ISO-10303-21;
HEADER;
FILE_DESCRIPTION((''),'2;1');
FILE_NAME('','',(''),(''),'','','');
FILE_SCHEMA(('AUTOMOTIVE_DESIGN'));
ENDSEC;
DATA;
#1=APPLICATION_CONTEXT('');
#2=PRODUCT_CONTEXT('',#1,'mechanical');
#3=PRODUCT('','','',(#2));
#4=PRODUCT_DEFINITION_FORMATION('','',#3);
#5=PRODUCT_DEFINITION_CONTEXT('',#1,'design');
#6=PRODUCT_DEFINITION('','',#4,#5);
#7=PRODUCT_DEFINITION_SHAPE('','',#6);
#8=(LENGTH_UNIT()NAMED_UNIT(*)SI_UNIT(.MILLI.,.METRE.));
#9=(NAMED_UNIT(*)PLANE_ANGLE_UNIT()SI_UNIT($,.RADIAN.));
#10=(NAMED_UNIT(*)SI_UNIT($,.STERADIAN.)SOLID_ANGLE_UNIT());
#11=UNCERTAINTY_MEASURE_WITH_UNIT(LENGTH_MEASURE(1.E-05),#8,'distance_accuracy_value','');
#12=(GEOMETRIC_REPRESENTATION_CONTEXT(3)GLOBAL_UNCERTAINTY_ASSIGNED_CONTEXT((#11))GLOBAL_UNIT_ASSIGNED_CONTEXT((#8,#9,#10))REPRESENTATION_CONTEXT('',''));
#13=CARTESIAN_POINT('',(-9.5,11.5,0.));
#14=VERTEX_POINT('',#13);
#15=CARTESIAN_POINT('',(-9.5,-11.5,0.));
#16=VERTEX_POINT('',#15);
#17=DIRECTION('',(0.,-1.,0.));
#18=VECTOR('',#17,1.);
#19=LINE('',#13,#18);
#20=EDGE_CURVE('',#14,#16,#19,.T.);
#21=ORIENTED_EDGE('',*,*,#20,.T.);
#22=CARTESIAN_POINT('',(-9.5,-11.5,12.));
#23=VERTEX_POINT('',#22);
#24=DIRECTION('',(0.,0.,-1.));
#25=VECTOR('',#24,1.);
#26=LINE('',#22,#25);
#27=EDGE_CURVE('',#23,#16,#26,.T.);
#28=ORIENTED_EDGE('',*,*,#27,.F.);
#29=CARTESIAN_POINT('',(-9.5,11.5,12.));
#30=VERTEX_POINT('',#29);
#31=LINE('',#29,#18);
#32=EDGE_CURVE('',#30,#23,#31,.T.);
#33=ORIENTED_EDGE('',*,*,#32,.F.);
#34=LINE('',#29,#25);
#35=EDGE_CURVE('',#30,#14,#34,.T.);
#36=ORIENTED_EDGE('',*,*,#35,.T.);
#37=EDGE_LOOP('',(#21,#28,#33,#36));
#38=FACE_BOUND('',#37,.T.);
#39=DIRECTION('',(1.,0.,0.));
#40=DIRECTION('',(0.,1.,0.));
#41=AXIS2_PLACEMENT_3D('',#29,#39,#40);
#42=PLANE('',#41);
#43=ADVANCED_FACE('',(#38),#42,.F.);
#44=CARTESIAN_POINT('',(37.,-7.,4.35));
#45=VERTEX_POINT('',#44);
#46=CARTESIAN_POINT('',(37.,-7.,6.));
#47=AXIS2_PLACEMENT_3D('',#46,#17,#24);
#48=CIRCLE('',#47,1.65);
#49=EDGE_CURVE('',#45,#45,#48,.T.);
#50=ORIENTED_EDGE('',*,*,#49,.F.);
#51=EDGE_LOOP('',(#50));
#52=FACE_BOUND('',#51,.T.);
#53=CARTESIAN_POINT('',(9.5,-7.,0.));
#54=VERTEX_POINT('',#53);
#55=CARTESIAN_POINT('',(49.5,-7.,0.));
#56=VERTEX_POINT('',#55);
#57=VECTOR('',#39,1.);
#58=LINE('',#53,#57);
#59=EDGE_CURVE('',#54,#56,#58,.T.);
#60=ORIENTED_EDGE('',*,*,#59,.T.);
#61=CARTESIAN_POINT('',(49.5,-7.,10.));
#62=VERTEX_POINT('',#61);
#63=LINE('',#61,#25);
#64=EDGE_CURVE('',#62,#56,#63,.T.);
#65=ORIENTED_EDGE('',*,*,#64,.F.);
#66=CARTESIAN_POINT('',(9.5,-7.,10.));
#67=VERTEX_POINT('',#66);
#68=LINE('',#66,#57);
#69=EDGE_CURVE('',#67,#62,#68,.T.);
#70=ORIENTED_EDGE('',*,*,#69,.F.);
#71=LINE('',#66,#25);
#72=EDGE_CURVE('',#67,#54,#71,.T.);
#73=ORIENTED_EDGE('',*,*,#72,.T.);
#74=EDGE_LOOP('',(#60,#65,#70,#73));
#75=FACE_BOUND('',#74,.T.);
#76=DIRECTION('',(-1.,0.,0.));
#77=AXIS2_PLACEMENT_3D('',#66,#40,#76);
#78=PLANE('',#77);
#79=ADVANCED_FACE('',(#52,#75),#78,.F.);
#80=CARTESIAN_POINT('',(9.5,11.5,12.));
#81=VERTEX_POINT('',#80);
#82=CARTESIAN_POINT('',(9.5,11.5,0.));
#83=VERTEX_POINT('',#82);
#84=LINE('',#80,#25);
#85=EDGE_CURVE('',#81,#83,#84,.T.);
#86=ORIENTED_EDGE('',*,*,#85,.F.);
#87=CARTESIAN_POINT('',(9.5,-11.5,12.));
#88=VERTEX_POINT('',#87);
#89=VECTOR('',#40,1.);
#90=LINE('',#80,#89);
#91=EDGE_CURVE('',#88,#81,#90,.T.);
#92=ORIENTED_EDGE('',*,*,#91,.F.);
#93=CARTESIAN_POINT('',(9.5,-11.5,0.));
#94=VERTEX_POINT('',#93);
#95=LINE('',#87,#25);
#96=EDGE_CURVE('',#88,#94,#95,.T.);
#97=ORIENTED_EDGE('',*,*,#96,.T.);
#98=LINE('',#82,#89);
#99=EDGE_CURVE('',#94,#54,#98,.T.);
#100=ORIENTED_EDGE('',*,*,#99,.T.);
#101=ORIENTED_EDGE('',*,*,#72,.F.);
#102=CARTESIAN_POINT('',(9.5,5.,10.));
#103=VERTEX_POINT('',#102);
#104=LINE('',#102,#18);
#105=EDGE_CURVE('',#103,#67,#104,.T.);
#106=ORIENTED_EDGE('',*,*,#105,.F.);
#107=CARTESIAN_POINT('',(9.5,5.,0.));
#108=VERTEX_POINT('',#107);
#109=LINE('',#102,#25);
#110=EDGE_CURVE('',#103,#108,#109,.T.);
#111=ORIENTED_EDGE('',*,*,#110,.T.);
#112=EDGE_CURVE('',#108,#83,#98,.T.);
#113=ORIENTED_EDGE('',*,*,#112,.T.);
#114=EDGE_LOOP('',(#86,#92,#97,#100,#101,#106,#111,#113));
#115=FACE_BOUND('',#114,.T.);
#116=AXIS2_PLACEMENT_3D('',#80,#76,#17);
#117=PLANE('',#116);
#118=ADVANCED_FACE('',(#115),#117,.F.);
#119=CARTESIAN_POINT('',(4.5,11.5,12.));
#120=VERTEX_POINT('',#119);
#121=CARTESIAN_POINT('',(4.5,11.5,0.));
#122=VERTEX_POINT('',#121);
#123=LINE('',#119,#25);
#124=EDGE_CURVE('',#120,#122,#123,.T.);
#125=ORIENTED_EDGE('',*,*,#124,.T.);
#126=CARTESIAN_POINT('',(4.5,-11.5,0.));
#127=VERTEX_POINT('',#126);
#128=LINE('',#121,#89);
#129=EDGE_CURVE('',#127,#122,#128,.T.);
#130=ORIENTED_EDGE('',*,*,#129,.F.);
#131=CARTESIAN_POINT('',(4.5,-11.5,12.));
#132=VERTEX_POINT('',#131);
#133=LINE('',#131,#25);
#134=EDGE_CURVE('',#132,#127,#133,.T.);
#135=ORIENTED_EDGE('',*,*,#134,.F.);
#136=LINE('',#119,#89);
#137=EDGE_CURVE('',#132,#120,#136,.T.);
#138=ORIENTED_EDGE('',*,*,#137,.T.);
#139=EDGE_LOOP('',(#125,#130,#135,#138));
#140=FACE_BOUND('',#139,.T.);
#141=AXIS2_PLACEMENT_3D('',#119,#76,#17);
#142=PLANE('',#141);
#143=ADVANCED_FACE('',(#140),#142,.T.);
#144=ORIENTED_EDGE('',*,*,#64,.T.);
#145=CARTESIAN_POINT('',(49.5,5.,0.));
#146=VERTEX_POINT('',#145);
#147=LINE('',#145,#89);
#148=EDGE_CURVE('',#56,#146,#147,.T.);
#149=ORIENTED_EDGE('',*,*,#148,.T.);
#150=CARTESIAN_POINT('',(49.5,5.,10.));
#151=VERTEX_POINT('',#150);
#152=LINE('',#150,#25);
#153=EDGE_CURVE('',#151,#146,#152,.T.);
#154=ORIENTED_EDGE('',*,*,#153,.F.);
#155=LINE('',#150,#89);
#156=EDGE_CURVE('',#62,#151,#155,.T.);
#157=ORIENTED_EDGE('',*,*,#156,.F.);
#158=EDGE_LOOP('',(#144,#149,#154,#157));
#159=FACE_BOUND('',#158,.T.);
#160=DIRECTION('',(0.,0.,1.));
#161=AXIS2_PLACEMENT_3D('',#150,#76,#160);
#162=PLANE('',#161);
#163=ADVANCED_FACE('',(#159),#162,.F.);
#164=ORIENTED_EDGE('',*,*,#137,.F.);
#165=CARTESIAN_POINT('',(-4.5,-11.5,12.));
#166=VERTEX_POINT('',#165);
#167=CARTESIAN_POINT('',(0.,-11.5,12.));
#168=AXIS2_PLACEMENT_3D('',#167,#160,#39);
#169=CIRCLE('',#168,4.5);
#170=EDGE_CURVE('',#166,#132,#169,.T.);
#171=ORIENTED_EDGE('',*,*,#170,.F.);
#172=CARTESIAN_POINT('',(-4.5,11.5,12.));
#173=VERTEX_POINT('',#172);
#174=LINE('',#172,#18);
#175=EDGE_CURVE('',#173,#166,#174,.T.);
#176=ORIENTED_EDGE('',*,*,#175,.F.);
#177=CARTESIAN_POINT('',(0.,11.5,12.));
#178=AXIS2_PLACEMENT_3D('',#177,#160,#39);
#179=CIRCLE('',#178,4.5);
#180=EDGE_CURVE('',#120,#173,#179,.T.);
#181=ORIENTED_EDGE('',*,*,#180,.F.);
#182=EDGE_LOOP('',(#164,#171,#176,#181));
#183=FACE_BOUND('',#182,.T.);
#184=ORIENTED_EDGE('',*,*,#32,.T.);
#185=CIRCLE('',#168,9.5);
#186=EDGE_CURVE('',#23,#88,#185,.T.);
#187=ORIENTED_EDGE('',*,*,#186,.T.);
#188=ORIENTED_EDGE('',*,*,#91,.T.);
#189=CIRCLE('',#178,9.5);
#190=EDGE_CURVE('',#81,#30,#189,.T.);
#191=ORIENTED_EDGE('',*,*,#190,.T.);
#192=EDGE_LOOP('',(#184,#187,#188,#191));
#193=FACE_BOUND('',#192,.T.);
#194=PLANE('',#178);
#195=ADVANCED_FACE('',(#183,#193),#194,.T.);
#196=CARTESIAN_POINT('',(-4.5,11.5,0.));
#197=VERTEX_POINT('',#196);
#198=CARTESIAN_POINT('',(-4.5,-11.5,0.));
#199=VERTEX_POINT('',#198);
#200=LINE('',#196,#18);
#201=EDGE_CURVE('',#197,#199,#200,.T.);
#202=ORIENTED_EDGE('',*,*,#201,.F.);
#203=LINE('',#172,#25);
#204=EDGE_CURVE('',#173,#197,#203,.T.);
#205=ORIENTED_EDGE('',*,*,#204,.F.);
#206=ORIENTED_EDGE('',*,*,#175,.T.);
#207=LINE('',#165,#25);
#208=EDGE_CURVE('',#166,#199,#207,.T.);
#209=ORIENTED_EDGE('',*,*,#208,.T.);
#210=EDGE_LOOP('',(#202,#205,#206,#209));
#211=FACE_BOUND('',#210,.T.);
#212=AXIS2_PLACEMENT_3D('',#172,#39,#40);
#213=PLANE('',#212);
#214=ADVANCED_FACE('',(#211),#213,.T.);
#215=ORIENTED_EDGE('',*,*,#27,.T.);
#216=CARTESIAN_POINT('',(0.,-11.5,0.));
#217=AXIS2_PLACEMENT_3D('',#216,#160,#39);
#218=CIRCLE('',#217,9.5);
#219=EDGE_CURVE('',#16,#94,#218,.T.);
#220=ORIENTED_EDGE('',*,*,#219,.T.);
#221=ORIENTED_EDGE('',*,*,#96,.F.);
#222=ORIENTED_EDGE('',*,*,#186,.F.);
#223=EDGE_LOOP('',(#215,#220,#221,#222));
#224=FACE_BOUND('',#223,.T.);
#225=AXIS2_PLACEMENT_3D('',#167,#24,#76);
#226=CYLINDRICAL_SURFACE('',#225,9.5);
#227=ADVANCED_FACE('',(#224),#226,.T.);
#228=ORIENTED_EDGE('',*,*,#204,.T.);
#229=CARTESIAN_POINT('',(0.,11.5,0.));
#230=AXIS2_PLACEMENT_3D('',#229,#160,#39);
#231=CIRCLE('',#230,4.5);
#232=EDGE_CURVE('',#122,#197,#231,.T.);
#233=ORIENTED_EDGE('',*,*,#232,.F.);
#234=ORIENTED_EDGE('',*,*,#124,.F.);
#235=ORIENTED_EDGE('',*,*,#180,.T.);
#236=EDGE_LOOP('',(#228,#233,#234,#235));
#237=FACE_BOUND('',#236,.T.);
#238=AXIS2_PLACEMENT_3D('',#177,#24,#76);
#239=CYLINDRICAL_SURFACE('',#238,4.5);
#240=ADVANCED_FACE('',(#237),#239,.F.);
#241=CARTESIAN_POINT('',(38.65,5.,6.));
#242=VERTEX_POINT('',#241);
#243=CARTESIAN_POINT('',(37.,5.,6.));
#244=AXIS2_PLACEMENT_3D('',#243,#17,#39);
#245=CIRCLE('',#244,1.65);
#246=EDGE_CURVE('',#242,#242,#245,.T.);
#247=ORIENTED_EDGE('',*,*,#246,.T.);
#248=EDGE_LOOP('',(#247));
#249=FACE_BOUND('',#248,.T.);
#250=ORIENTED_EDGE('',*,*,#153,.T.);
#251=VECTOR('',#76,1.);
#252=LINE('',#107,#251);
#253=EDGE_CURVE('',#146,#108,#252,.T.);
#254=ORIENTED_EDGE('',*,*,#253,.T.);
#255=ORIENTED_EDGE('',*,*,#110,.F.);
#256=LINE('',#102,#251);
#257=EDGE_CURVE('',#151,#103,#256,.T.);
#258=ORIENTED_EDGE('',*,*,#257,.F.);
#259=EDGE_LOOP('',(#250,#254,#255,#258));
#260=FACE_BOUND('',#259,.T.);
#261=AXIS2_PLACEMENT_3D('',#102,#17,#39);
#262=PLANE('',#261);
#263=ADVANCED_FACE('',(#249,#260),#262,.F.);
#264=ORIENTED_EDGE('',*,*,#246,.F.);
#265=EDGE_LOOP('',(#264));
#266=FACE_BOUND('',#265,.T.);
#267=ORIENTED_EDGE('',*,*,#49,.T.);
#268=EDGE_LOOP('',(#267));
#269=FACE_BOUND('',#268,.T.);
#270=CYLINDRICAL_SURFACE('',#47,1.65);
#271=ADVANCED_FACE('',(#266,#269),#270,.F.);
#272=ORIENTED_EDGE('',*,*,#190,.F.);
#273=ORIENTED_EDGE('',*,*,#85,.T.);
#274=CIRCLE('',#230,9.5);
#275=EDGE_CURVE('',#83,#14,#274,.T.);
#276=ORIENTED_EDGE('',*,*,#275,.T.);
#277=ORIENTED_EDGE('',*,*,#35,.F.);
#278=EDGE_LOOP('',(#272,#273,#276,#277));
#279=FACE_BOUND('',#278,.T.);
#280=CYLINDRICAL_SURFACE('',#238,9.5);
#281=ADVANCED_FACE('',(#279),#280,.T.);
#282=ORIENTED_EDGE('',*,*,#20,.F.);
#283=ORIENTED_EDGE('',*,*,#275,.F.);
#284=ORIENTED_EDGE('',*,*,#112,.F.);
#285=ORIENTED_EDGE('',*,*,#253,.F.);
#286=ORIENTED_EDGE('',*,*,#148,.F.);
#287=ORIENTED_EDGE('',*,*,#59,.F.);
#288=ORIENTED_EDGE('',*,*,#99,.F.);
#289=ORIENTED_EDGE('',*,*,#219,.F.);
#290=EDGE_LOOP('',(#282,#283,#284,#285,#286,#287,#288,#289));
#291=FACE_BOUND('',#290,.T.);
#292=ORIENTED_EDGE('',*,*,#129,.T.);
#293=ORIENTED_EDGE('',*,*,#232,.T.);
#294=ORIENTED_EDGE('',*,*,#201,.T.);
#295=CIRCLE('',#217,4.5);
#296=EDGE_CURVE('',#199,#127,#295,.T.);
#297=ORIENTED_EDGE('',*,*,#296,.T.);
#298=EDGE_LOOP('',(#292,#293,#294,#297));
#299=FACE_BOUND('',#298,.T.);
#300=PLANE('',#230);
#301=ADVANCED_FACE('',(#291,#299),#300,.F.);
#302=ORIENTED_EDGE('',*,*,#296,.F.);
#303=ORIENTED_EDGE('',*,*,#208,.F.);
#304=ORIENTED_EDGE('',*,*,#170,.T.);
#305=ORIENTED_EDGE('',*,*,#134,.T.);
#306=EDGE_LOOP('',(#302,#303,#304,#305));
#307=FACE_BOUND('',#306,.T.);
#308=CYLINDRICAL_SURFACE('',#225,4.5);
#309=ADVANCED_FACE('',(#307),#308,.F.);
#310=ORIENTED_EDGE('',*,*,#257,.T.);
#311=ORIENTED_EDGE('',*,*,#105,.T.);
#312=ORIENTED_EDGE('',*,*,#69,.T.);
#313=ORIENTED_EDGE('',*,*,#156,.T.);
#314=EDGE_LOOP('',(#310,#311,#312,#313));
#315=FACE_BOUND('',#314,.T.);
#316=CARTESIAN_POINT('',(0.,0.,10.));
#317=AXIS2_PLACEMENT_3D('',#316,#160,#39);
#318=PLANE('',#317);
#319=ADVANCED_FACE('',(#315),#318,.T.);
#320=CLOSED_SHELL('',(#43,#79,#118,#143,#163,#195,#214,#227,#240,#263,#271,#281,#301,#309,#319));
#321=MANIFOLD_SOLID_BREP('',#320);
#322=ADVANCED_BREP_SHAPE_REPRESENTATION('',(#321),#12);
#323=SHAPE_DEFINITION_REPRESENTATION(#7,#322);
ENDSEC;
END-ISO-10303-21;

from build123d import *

# Parameters (mm, degrees)
BOSS_EXTRUDE1_DEPTH = 12
CUT_EXTRUDE1_DEPTH  = 26.98557292
SKETCH4_W           = 40
SKETCH4_H           = 12
BOSS_EXTRUDE2_DEPTH = 10
M4_TAPPED_HOLE1_D   = 3.3


with BuildPart() as part:
    # Sketch3 → Boss-Extrude1 (new body)
    with BuildSketch(Plane.XY):
        with BuildLine():
            Line((9.5, 11.5), (9.5, -11.5))
            ThreePointArc((9.5, -11.5), (0, -21), (-9.5, -11.5))
            Line((-9.5, -11.5), (-9.5, 11.5))
            ThreePointArc((-9.5, 11.5), (0, 21), (9.5, 11.5))
        make_face()
    extrude(amount=BOSS_EXTRUDE1_DEPTH)

    # Sketch1 → Cut-Extrude1 (cut, through all)
    with BuildSketch(Plane.XY):
        with BuildLine():
            Line((4.5, 11.5), (4.5, -11.5))
            ThreePointArc((4.5, -11.5), (0, -16), (-4.5, -11.5))
            Line((-4.5, -11.5), (-4.5, 11.5))
            ThreePointArc((-4.5, 11.5), (0, 16), (4.5, 11.5))
        make_face()
    extrude(amount=CUT_EXTRUDE1_DEPTH, mode=Mode.SUBTRACT)

    # Sketch4 → Boss-Extrude2 (add)
    with BuildSketch(Plane.XY):
        with Locations((29.5, -1)):
            Rectangle(SKETCH4_W, SKETCH4_H)
    extrude(amount=BOSS_EXTRUDE2_DEPTH)

    # M4 Tapped Hole1 (through all)
    with Locations(Plane(origin=(0, -7, 0), x_dir=(-1, 0, 0), z_dir=(0, -1, 0))):
        with Locations((-37, -6)):
            Hole(M4_TAPPED_HOLE1_D / 2)


solid = part.part
